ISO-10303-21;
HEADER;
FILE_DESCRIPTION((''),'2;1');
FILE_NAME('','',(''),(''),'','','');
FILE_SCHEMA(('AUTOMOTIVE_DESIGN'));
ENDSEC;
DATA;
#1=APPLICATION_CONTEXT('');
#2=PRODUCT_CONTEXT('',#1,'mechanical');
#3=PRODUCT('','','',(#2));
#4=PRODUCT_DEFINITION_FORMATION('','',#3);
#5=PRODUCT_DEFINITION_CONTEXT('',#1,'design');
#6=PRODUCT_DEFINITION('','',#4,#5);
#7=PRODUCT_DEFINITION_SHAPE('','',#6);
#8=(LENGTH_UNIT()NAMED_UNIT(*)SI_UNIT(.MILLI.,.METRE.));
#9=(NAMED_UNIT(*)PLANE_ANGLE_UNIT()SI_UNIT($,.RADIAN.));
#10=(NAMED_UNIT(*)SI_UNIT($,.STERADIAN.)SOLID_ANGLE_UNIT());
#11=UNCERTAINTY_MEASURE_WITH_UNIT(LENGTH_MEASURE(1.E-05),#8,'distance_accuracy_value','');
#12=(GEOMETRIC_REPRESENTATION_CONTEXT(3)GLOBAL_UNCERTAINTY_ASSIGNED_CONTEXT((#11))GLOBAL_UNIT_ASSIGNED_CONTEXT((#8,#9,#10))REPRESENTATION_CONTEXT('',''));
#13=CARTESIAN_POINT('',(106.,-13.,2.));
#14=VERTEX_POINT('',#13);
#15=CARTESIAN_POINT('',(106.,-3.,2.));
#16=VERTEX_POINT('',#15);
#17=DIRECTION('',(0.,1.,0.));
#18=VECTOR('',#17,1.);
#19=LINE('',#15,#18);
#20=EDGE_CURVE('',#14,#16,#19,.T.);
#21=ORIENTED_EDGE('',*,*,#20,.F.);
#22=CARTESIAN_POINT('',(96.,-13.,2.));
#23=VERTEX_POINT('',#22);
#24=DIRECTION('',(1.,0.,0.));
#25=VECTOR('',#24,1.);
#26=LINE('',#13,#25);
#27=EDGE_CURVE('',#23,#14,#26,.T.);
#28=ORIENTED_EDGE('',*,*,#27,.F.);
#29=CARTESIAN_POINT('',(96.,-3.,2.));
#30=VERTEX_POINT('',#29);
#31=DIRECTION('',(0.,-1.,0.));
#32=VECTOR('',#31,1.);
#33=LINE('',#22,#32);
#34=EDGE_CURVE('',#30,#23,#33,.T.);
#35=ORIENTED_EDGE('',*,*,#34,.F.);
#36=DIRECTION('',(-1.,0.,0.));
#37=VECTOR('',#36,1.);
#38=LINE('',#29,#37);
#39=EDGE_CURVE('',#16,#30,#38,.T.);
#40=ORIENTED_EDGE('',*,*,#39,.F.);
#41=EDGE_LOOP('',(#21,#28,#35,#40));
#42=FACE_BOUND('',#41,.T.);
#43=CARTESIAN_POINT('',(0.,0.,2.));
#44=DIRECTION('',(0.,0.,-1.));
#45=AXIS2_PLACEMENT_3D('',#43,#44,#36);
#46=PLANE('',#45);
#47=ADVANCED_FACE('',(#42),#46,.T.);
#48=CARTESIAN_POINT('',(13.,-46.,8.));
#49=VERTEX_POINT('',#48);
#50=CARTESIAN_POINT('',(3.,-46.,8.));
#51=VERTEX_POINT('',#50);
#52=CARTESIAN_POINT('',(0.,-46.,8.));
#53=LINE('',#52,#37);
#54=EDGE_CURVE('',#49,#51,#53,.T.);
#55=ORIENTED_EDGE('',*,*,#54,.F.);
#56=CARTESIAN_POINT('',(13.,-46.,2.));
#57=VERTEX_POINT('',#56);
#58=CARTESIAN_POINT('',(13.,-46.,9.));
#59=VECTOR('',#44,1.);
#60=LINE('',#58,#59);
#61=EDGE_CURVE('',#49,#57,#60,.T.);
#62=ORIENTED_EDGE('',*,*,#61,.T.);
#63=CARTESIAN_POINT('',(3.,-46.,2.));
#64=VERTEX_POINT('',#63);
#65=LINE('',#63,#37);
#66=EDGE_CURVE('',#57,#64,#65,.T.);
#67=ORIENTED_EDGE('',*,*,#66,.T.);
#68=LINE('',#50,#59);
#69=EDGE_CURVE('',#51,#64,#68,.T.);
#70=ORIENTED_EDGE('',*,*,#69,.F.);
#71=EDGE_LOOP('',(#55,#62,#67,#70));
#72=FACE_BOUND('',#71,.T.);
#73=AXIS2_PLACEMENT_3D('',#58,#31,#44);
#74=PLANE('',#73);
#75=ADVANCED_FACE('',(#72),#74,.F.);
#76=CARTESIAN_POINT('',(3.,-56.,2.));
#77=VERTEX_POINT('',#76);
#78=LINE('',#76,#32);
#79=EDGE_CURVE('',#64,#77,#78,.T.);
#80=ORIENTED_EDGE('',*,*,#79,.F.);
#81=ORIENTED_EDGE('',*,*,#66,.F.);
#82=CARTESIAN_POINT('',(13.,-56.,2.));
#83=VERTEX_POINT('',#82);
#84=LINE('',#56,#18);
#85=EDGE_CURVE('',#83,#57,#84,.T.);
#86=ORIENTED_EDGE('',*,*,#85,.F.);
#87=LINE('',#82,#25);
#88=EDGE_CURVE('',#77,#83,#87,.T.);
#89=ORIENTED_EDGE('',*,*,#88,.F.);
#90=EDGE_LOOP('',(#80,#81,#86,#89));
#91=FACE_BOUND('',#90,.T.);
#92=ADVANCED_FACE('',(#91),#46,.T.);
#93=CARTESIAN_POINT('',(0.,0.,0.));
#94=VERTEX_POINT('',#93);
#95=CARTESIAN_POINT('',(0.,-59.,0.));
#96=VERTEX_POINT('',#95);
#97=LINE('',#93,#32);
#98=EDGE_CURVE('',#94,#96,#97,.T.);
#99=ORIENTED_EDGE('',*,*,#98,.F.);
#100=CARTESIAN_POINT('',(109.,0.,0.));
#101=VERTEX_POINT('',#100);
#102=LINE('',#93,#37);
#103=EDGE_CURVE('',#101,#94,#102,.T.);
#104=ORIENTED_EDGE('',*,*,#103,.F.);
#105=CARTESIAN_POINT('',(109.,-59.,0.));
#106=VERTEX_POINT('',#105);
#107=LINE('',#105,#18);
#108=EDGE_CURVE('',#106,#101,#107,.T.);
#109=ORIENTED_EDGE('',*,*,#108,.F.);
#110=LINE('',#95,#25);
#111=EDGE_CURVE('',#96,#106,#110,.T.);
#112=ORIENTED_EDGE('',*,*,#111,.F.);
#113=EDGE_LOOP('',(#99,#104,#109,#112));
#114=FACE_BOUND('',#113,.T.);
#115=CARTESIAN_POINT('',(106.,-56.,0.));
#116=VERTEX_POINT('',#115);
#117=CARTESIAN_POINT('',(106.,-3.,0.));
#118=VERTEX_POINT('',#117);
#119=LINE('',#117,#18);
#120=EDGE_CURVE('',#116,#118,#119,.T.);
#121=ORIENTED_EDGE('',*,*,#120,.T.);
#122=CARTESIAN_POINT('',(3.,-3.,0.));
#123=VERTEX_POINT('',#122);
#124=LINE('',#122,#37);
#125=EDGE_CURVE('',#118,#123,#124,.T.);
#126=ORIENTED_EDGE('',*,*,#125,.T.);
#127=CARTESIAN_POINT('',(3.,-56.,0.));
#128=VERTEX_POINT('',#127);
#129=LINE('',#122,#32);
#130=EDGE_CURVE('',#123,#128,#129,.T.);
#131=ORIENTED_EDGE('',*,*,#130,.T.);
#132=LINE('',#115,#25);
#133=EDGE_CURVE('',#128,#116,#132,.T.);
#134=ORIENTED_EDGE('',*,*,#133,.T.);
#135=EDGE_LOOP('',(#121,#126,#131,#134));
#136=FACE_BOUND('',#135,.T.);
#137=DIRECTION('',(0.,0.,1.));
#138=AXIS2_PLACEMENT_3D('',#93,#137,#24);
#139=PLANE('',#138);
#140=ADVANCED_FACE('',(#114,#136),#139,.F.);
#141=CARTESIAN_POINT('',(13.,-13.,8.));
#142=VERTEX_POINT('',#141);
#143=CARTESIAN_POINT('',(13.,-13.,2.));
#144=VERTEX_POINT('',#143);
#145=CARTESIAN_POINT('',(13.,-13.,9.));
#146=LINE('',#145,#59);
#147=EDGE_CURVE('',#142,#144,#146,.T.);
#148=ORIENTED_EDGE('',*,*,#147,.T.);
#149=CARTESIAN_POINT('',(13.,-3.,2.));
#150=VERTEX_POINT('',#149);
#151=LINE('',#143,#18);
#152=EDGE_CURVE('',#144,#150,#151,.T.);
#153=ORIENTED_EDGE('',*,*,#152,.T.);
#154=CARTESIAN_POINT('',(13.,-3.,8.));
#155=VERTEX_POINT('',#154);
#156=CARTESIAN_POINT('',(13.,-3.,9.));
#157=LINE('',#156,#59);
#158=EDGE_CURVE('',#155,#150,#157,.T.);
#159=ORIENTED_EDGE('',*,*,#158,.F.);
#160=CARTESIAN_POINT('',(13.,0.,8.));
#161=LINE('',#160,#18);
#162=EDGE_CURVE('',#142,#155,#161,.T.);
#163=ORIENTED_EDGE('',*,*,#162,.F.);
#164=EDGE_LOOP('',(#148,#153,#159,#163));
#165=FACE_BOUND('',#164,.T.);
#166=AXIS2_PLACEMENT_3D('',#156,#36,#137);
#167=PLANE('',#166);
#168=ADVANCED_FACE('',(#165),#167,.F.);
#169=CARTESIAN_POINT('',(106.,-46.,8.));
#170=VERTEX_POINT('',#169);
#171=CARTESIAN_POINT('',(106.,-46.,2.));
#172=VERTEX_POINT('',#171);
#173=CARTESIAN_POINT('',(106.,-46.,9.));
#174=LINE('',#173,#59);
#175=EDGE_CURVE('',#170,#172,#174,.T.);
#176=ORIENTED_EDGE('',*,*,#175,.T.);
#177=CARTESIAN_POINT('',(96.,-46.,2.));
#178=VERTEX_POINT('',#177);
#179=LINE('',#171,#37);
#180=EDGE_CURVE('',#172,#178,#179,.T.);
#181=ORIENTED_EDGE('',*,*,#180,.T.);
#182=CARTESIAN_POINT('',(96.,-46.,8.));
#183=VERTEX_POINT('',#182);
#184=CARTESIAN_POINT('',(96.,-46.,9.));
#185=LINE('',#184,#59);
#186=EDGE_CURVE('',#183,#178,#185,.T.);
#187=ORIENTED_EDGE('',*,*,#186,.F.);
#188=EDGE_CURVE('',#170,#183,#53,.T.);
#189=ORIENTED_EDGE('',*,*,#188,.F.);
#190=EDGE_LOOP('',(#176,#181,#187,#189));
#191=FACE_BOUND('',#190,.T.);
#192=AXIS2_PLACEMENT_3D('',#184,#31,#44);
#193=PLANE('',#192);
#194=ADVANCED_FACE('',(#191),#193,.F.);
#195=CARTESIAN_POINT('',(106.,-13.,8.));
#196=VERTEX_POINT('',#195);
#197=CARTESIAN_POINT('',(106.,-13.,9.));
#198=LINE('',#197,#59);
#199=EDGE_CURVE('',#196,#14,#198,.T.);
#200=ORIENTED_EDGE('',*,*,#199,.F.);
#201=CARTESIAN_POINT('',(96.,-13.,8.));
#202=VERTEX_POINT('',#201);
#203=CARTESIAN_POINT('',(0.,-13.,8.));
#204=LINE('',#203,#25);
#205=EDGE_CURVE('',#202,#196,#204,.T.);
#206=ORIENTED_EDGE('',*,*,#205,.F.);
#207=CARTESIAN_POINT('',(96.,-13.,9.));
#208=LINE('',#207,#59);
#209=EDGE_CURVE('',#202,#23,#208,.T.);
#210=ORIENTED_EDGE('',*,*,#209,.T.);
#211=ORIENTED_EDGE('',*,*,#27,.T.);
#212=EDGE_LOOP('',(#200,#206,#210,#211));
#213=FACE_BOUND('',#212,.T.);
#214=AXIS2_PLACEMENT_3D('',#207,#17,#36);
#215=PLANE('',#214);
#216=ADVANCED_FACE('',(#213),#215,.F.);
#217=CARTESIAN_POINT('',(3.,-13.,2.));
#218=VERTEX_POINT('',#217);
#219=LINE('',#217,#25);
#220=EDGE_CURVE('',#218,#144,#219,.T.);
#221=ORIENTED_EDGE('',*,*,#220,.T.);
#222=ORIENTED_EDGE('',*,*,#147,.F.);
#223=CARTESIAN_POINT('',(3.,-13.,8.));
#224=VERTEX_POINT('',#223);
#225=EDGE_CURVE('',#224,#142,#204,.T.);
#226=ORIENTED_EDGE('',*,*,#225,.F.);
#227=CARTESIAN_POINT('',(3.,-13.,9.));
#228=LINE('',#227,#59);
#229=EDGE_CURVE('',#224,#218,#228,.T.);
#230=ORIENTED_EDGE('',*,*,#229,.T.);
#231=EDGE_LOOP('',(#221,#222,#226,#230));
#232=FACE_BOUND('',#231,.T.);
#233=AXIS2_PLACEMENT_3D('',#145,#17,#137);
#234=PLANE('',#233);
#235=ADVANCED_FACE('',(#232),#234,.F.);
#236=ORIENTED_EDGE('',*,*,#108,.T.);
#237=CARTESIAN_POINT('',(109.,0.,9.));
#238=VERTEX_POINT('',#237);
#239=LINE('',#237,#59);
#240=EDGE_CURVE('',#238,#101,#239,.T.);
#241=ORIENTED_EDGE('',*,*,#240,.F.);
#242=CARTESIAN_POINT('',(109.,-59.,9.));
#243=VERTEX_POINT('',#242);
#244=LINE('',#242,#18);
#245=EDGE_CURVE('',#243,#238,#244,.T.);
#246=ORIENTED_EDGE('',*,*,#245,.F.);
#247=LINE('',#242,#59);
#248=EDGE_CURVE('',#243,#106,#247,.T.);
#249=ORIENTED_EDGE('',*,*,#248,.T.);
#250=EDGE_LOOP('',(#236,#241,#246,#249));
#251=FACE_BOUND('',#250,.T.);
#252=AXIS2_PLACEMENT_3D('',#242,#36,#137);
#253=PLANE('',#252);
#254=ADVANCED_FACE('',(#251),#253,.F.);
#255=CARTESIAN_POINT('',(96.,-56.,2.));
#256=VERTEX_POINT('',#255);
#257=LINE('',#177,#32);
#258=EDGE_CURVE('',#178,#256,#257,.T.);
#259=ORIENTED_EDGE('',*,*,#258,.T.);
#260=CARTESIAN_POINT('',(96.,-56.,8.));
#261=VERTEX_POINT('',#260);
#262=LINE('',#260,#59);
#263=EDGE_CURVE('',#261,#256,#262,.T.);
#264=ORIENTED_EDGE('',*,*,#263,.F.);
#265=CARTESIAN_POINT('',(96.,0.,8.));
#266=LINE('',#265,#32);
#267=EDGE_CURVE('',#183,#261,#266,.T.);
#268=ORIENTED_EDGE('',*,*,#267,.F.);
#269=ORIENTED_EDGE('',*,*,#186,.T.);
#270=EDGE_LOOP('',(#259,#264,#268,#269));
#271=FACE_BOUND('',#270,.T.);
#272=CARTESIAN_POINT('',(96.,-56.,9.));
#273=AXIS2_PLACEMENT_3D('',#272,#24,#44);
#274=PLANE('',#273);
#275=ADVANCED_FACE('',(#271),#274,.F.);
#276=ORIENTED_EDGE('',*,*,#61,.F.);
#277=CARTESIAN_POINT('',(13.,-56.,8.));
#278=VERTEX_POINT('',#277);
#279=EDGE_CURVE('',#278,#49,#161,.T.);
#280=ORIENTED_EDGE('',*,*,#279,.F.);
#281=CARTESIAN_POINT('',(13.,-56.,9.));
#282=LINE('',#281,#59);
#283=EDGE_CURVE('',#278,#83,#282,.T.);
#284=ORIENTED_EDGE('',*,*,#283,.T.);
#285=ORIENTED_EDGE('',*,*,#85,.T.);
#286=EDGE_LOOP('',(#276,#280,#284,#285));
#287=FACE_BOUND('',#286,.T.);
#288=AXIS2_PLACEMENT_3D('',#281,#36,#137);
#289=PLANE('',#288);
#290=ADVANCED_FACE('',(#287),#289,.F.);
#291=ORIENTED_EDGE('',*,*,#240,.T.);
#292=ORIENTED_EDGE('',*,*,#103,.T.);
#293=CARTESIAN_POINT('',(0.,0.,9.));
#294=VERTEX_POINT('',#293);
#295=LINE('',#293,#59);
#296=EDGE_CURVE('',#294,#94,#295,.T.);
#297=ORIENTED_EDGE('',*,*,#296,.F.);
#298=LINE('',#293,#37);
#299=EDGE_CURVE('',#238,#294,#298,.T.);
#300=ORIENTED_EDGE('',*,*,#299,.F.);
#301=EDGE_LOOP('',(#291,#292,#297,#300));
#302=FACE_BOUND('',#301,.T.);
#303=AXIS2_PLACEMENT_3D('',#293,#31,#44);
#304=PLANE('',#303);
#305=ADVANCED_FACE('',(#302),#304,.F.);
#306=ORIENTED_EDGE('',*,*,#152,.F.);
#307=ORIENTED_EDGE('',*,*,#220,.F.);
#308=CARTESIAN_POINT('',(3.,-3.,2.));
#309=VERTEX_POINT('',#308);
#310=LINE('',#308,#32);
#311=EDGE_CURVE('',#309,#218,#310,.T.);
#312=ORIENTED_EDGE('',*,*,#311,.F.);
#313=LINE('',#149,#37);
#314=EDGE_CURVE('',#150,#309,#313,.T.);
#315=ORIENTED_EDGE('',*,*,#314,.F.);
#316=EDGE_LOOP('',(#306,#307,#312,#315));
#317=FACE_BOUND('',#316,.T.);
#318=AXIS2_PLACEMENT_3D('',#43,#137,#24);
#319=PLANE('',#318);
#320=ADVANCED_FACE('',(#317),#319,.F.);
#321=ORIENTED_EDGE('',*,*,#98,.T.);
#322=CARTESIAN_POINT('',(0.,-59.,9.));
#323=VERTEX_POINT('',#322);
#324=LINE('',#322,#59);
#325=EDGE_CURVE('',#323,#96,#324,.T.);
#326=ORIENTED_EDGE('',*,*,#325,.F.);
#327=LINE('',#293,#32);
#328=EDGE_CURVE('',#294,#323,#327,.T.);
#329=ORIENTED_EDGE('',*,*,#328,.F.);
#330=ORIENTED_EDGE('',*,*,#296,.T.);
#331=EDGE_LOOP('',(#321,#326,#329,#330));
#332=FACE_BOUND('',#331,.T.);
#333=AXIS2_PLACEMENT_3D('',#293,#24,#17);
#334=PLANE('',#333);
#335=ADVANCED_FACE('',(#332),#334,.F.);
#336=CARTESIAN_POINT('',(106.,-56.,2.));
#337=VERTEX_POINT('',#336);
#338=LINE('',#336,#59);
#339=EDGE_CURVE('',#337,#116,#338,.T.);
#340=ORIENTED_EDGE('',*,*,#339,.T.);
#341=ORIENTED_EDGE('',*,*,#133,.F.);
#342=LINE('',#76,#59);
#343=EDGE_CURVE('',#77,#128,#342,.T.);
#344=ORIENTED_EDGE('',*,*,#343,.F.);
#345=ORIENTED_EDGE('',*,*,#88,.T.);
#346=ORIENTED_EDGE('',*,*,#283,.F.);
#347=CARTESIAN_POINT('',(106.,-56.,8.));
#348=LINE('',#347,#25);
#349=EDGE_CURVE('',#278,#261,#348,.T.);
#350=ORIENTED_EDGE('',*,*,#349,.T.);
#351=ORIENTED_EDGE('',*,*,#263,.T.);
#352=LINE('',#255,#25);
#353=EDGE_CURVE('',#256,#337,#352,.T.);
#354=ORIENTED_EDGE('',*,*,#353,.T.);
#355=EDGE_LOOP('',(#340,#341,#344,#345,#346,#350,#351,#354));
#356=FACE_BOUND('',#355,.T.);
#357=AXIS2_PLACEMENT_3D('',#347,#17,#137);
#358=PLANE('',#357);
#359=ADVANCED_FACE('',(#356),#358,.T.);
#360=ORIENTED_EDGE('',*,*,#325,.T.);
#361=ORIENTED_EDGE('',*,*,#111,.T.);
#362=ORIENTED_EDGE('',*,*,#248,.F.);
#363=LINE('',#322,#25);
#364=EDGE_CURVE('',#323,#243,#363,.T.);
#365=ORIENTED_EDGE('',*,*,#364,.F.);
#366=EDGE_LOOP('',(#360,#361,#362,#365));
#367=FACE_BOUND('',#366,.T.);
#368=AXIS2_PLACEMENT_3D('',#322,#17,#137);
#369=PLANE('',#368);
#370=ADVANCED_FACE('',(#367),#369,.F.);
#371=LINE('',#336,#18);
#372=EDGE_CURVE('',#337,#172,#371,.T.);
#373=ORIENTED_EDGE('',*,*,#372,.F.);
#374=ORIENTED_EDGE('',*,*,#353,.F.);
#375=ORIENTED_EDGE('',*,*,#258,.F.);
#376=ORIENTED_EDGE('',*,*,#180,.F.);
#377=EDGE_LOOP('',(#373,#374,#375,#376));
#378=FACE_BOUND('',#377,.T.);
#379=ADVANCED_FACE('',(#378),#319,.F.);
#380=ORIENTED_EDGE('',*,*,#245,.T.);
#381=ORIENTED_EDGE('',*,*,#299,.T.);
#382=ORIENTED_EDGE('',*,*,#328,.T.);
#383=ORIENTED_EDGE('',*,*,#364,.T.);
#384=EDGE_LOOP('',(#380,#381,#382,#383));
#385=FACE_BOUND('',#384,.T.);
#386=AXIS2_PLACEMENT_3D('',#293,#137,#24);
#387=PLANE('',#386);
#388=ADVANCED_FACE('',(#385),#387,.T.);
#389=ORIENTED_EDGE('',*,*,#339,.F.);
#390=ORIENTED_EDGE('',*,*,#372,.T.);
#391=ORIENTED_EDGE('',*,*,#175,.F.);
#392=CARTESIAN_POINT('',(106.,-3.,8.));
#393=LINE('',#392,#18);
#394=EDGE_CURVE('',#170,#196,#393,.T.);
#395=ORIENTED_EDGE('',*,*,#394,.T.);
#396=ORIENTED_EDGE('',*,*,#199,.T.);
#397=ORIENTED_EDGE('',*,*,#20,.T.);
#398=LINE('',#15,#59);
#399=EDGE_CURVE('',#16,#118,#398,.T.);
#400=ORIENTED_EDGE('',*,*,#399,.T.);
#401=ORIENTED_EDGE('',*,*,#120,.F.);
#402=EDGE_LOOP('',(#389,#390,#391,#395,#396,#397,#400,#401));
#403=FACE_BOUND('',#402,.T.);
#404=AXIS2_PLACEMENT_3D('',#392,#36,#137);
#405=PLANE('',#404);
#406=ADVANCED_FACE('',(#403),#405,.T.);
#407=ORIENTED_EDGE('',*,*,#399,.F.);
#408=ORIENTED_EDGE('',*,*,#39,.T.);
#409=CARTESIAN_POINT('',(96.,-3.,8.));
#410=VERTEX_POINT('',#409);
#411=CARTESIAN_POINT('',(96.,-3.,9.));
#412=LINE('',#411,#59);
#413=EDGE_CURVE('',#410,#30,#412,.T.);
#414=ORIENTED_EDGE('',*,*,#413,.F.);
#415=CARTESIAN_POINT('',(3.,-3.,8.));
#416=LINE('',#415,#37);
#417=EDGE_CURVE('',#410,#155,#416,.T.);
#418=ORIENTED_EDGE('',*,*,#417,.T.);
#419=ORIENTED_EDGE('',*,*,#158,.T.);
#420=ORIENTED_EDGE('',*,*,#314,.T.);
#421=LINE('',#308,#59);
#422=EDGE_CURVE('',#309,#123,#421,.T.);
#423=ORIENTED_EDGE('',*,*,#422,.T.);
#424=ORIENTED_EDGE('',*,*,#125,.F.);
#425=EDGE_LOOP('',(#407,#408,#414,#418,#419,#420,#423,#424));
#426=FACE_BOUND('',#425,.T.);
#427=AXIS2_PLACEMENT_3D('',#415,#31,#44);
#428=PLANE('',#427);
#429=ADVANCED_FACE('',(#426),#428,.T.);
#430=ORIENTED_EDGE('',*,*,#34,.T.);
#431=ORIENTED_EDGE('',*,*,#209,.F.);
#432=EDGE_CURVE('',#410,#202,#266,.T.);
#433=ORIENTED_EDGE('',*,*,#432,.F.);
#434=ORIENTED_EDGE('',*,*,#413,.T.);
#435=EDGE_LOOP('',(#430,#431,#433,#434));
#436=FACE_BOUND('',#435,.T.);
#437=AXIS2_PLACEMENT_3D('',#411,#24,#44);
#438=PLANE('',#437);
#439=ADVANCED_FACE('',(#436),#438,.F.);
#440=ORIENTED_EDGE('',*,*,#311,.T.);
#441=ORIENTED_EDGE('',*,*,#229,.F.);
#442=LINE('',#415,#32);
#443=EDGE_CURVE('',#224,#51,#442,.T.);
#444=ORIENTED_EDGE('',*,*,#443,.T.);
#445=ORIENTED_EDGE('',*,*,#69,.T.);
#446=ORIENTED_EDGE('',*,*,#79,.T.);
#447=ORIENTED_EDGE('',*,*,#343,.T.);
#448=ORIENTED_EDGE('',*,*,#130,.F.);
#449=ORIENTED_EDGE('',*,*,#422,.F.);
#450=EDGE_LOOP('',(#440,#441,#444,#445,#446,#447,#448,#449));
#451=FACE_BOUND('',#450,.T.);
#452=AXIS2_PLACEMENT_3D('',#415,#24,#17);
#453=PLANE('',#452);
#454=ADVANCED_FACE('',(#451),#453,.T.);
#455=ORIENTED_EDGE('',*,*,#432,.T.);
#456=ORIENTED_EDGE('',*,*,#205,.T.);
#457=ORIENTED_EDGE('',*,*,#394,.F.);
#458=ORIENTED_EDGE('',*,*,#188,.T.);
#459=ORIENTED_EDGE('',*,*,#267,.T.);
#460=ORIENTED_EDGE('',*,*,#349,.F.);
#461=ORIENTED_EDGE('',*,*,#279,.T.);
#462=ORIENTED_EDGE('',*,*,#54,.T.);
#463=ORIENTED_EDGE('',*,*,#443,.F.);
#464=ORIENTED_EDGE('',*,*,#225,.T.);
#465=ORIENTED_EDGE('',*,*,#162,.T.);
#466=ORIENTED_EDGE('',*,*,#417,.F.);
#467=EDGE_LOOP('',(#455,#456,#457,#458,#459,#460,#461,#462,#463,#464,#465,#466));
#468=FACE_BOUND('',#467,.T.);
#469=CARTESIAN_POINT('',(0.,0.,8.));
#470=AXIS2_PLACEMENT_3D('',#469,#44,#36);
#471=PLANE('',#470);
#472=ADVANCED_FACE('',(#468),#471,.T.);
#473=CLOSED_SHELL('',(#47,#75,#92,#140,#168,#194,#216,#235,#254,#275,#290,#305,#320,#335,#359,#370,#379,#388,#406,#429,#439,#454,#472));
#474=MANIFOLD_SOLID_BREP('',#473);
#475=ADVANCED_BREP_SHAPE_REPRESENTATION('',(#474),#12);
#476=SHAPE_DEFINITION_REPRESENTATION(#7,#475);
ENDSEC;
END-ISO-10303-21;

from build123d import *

# Parameters (mm, degrees)
ESQUISSE1_W             = 109
ESQUISSE1_H             = 59
BOSS_EXTRU_1_DEPTH      = 9
ESQUISSE2_W             = 103
ESQUISSE2_H             = 53
ENL_V_MAT_EXTRU_1_DEPTH = 8
ESQUISSE3_W             = 10
ESQUISSE3_H             = 10
BOSS_EXTRU_2_DEPTH      = 9
ESQUISSE4_W             = 10
ESQUISSE4_H             = 10
ENL_V_MAT_EXTRU_2_DEPTH = 2


with BuildPart() as part:
    # Esquisse1 → Boss.-Extru.1 (new body)
    with BuildSketch(Plane.XY):
        with Locations((54.5, -29.5)):
            Rectangle(ESQUISSE1_W, ESQUISSE1_H)
    extrude(amount=BOSS_EXTRU_1_DEPTH)

    # Esquisse2 → Enlèv. mat.-Extru.1 (cut)
    with BuildSketch(Plane.XY):
        with Locations((54.5, -29.5)):
            Rectangle(ESQUISSE2_W, ESQUISSE2_H)
    extrude(amount=ENL_V_MAT_EXTRU_1_DEPTH, mode=Mode.SUBTRACT)

    # Esquisse3 → Boss.-Extru.2 (add)
    with BuildSketch(Plane.XY):
        with Locations((101, -8)):
            Rectangle(ESQUISSE3_W, ESQUISSE3_H)
        with Locations((101, -51)):
            Rectangle(ESQUISSE3_W, ESQUISSE3_H)
        with Locations((8, -51)):
            Rectangle(ESQUISSE3_W, ESQUISSE3_H)
        with Locations((8, -8)):
            Rectangle(ESQUISSE3_W, ESQUISSE3_H)
    extrude(amount=BOSS_EXTRU_2_DEPTH)

    # Esquisse4 → Enlèv. mat.-Extru.2 (cut)
    with BuildSketch(Plane.XY):
        with Locations((101, -8)):
            Rectangle(ESQUISSE4_W, ESQUISSE4_H)
        with Locations((101, -51)):
            Rectangle(ESQUISSE4_W, ESQUISSE4_H)
        with Locations((8, -51)):
            Rectangle(ESQUISSE4_W, ESQUISSE4_H)
        with Locations((8, -8)):
            Rectangle(ESQUISSE4_W, ESQUISSE4_H)
    extrude(amount=ENL_V_MAT_EXTRU_2_DEPTH, mode=Mode.SUBTRACT)


solid = part.part
